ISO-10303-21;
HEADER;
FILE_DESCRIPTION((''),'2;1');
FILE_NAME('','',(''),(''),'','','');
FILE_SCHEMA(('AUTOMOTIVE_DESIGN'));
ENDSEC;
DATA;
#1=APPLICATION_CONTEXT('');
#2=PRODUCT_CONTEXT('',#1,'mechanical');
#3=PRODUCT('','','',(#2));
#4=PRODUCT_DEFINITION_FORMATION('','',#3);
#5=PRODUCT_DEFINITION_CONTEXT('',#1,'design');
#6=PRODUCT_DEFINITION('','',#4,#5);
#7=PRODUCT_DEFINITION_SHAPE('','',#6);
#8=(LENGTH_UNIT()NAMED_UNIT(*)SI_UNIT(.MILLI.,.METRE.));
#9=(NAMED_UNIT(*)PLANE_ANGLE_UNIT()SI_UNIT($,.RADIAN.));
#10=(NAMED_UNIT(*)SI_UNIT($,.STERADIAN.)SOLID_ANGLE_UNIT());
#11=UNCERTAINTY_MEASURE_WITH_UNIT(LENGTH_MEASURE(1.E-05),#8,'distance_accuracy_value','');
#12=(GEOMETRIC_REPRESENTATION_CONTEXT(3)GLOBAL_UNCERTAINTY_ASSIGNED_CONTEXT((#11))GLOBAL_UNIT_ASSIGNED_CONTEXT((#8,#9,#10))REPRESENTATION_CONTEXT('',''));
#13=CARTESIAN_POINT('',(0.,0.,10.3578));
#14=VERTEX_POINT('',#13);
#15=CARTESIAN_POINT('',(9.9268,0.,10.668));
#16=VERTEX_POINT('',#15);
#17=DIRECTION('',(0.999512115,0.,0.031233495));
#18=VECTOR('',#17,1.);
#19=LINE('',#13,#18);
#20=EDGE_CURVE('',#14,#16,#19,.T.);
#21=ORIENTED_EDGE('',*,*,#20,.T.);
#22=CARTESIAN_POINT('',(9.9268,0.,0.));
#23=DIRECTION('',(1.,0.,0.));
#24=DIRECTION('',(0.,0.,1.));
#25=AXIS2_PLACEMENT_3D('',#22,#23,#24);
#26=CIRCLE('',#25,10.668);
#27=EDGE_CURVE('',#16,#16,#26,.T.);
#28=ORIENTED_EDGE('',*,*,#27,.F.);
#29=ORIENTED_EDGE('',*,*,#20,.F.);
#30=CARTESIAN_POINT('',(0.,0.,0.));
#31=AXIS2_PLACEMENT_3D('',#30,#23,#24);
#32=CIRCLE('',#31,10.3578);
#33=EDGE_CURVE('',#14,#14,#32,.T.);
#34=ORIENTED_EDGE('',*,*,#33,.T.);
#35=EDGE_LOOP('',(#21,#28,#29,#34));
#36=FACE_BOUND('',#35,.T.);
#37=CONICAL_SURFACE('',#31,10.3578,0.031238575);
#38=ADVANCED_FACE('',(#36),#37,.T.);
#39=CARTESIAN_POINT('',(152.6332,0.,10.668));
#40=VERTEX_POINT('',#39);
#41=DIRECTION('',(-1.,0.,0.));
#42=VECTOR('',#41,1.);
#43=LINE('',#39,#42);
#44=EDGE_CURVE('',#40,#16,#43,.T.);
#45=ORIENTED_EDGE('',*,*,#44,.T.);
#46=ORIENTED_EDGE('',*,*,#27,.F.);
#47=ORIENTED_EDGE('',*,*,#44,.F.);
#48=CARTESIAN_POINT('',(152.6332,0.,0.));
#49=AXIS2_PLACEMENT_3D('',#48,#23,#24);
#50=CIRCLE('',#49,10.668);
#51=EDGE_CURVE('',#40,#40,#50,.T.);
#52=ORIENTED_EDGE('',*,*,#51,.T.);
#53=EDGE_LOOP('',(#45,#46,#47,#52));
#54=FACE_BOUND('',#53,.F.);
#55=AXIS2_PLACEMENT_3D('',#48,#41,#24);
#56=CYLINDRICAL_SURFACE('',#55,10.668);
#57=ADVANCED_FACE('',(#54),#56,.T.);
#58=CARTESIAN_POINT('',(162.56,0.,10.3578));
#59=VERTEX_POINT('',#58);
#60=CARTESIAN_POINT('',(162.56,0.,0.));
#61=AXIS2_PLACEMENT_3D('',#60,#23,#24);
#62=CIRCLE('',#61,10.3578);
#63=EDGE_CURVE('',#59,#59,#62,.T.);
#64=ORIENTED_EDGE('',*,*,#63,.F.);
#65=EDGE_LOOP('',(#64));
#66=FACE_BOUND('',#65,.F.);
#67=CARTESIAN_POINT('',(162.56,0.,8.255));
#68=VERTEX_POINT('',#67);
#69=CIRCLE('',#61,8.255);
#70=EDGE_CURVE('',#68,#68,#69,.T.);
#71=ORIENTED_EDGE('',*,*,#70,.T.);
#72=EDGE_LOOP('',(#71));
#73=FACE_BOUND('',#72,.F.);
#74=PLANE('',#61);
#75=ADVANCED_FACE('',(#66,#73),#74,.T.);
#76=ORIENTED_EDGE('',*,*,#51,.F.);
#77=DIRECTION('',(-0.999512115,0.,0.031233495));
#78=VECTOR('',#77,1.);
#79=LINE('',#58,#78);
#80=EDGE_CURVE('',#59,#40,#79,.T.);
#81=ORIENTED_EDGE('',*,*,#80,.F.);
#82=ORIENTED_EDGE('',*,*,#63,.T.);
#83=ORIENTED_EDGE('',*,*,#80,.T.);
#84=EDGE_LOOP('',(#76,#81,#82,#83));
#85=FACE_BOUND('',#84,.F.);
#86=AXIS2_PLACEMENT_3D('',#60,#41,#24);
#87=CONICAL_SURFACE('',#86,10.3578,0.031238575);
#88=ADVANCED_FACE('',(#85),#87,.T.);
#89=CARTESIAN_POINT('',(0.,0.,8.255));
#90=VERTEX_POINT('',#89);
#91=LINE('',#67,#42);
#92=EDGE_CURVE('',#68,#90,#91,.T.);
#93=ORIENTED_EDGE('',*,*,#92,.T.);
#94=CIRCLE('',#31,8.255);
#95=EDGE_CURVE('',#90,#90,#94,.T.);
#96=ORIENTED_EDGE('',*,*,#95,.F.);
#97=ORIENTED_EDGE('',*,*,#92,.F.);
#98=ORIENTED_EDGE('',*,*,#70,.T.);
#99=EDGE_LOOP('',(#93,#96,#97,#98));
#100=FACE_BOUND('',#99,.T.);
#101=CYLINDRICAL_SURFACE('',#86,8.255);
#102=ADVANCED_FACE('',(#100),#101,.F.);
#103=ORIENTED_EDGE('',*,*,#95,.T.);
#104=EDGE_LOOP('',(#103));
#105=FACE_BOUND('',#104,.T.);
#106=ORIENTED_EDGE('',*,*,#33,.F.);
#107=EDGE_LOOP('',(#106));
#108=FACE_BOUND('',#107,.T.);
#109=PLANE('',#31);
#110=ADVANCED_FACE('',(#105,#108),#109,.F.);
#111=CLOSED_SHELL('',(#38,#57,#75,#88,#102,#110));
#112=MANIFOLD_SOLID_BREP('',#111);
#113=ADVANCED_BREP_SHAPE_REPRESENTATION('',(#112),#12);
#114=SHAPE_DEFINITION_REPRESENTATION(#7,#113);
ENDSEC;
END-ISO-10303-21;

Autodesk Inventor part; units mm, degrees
ref_plane "YZ Plane" through (0, 0, 0) normal (1, 0, 0) x (0, 1, 0)
ref_plane "XZ Plane" through (0, 0, 0) normal (0, 1, 0) x (-1, 0, 0)
ref_plane "XY Plane" through (0, 0, 0) normal (0, 0, 1) x (1, 0, 0)
sketch "Sketch1" plane through (0, 0, 0) normal (0, 1, 0) x (-1, 0, 0)
  line L0 (0, 0) -> (-162.56, 0)
  line L1 (-162.56, 0) -> (-162.56, 8.255) construction
  line L2 (-162.56, 8.255) -> (-162.56, 10.3578)
  line L3 (-162.56, 10.3578) -> (-152.6332, 10.668)
  line L4 (-152.6332, 10.668) -> (-9.9268, 10.668)
  line L5 (-81.28, 0) -> (-81.28, 10.668) construction
  line L6 (-162.56, 8.255) -> (0, 8.255)
  line L7 (0, 0) -> (0, 8.255) construction
  line L8 (0, 8.255) -> (0, 10.3578)
  line L9 (0, 10.3578) -> (-9.9268, 10.668)
  line L10 (-149.004, 10.7814) -> (-149.004, 0) construction
  line L11 (-13.556, 10.7814) -> (-13.556, 0) construction
  line L12 (-152.6332, 10.668) -> (-149.004, 10.7814) construction
  line L13 (-152.6332, 10.668) -> (-152.6332, 0) construction
  line L14 (-9.9268, 10.668) -> (-13.556, 10.7814) construction
  line L15 (-9.9268, 10.668) -> (-9.9268, 0) construction
  dimension "d0" = 21.336
  dimension "d1" = 1.79
  dimension "d2" = 16.51
  dimension "d3" = 162.56
  dimension "d4" = 13.556
  dimension "d5" = 21.5628
revolve "Revolution1" add sketch "Sketch1" angle 360 about axis through (0, 0, 0) along (1, 0, 0)
thread "Thread1" size "1/2" designation "1/2 - 14 NPT" standard "NPT" full length
thread "Thread2" size "1/2" designation "1/2 - 14 NPT" standard "NPT" full length
equation "\"d0\" = OD"
equation "\"d2\" = ID"
equation "\"d3\" = L"
equation "\"d4\" = L2"
equation "\"d5\" = D2"
equation "\"OD\" = 21.336"
equation "\"t\" = 2.413"
equation "\"L\" = PL"
equation "\"L4\" = 19.8501"
equation "\"ID\" = 16.51"
equation "\"PL\" = 162.56"
equation "\"D2\" = 21.56282"
equation "\"L2\" = 13.55598"
equation "\"Size_Designation\" = 1.2345"
equation "\"PLmin\" = 2 * L2"
properties material "Steel, Wrought"
